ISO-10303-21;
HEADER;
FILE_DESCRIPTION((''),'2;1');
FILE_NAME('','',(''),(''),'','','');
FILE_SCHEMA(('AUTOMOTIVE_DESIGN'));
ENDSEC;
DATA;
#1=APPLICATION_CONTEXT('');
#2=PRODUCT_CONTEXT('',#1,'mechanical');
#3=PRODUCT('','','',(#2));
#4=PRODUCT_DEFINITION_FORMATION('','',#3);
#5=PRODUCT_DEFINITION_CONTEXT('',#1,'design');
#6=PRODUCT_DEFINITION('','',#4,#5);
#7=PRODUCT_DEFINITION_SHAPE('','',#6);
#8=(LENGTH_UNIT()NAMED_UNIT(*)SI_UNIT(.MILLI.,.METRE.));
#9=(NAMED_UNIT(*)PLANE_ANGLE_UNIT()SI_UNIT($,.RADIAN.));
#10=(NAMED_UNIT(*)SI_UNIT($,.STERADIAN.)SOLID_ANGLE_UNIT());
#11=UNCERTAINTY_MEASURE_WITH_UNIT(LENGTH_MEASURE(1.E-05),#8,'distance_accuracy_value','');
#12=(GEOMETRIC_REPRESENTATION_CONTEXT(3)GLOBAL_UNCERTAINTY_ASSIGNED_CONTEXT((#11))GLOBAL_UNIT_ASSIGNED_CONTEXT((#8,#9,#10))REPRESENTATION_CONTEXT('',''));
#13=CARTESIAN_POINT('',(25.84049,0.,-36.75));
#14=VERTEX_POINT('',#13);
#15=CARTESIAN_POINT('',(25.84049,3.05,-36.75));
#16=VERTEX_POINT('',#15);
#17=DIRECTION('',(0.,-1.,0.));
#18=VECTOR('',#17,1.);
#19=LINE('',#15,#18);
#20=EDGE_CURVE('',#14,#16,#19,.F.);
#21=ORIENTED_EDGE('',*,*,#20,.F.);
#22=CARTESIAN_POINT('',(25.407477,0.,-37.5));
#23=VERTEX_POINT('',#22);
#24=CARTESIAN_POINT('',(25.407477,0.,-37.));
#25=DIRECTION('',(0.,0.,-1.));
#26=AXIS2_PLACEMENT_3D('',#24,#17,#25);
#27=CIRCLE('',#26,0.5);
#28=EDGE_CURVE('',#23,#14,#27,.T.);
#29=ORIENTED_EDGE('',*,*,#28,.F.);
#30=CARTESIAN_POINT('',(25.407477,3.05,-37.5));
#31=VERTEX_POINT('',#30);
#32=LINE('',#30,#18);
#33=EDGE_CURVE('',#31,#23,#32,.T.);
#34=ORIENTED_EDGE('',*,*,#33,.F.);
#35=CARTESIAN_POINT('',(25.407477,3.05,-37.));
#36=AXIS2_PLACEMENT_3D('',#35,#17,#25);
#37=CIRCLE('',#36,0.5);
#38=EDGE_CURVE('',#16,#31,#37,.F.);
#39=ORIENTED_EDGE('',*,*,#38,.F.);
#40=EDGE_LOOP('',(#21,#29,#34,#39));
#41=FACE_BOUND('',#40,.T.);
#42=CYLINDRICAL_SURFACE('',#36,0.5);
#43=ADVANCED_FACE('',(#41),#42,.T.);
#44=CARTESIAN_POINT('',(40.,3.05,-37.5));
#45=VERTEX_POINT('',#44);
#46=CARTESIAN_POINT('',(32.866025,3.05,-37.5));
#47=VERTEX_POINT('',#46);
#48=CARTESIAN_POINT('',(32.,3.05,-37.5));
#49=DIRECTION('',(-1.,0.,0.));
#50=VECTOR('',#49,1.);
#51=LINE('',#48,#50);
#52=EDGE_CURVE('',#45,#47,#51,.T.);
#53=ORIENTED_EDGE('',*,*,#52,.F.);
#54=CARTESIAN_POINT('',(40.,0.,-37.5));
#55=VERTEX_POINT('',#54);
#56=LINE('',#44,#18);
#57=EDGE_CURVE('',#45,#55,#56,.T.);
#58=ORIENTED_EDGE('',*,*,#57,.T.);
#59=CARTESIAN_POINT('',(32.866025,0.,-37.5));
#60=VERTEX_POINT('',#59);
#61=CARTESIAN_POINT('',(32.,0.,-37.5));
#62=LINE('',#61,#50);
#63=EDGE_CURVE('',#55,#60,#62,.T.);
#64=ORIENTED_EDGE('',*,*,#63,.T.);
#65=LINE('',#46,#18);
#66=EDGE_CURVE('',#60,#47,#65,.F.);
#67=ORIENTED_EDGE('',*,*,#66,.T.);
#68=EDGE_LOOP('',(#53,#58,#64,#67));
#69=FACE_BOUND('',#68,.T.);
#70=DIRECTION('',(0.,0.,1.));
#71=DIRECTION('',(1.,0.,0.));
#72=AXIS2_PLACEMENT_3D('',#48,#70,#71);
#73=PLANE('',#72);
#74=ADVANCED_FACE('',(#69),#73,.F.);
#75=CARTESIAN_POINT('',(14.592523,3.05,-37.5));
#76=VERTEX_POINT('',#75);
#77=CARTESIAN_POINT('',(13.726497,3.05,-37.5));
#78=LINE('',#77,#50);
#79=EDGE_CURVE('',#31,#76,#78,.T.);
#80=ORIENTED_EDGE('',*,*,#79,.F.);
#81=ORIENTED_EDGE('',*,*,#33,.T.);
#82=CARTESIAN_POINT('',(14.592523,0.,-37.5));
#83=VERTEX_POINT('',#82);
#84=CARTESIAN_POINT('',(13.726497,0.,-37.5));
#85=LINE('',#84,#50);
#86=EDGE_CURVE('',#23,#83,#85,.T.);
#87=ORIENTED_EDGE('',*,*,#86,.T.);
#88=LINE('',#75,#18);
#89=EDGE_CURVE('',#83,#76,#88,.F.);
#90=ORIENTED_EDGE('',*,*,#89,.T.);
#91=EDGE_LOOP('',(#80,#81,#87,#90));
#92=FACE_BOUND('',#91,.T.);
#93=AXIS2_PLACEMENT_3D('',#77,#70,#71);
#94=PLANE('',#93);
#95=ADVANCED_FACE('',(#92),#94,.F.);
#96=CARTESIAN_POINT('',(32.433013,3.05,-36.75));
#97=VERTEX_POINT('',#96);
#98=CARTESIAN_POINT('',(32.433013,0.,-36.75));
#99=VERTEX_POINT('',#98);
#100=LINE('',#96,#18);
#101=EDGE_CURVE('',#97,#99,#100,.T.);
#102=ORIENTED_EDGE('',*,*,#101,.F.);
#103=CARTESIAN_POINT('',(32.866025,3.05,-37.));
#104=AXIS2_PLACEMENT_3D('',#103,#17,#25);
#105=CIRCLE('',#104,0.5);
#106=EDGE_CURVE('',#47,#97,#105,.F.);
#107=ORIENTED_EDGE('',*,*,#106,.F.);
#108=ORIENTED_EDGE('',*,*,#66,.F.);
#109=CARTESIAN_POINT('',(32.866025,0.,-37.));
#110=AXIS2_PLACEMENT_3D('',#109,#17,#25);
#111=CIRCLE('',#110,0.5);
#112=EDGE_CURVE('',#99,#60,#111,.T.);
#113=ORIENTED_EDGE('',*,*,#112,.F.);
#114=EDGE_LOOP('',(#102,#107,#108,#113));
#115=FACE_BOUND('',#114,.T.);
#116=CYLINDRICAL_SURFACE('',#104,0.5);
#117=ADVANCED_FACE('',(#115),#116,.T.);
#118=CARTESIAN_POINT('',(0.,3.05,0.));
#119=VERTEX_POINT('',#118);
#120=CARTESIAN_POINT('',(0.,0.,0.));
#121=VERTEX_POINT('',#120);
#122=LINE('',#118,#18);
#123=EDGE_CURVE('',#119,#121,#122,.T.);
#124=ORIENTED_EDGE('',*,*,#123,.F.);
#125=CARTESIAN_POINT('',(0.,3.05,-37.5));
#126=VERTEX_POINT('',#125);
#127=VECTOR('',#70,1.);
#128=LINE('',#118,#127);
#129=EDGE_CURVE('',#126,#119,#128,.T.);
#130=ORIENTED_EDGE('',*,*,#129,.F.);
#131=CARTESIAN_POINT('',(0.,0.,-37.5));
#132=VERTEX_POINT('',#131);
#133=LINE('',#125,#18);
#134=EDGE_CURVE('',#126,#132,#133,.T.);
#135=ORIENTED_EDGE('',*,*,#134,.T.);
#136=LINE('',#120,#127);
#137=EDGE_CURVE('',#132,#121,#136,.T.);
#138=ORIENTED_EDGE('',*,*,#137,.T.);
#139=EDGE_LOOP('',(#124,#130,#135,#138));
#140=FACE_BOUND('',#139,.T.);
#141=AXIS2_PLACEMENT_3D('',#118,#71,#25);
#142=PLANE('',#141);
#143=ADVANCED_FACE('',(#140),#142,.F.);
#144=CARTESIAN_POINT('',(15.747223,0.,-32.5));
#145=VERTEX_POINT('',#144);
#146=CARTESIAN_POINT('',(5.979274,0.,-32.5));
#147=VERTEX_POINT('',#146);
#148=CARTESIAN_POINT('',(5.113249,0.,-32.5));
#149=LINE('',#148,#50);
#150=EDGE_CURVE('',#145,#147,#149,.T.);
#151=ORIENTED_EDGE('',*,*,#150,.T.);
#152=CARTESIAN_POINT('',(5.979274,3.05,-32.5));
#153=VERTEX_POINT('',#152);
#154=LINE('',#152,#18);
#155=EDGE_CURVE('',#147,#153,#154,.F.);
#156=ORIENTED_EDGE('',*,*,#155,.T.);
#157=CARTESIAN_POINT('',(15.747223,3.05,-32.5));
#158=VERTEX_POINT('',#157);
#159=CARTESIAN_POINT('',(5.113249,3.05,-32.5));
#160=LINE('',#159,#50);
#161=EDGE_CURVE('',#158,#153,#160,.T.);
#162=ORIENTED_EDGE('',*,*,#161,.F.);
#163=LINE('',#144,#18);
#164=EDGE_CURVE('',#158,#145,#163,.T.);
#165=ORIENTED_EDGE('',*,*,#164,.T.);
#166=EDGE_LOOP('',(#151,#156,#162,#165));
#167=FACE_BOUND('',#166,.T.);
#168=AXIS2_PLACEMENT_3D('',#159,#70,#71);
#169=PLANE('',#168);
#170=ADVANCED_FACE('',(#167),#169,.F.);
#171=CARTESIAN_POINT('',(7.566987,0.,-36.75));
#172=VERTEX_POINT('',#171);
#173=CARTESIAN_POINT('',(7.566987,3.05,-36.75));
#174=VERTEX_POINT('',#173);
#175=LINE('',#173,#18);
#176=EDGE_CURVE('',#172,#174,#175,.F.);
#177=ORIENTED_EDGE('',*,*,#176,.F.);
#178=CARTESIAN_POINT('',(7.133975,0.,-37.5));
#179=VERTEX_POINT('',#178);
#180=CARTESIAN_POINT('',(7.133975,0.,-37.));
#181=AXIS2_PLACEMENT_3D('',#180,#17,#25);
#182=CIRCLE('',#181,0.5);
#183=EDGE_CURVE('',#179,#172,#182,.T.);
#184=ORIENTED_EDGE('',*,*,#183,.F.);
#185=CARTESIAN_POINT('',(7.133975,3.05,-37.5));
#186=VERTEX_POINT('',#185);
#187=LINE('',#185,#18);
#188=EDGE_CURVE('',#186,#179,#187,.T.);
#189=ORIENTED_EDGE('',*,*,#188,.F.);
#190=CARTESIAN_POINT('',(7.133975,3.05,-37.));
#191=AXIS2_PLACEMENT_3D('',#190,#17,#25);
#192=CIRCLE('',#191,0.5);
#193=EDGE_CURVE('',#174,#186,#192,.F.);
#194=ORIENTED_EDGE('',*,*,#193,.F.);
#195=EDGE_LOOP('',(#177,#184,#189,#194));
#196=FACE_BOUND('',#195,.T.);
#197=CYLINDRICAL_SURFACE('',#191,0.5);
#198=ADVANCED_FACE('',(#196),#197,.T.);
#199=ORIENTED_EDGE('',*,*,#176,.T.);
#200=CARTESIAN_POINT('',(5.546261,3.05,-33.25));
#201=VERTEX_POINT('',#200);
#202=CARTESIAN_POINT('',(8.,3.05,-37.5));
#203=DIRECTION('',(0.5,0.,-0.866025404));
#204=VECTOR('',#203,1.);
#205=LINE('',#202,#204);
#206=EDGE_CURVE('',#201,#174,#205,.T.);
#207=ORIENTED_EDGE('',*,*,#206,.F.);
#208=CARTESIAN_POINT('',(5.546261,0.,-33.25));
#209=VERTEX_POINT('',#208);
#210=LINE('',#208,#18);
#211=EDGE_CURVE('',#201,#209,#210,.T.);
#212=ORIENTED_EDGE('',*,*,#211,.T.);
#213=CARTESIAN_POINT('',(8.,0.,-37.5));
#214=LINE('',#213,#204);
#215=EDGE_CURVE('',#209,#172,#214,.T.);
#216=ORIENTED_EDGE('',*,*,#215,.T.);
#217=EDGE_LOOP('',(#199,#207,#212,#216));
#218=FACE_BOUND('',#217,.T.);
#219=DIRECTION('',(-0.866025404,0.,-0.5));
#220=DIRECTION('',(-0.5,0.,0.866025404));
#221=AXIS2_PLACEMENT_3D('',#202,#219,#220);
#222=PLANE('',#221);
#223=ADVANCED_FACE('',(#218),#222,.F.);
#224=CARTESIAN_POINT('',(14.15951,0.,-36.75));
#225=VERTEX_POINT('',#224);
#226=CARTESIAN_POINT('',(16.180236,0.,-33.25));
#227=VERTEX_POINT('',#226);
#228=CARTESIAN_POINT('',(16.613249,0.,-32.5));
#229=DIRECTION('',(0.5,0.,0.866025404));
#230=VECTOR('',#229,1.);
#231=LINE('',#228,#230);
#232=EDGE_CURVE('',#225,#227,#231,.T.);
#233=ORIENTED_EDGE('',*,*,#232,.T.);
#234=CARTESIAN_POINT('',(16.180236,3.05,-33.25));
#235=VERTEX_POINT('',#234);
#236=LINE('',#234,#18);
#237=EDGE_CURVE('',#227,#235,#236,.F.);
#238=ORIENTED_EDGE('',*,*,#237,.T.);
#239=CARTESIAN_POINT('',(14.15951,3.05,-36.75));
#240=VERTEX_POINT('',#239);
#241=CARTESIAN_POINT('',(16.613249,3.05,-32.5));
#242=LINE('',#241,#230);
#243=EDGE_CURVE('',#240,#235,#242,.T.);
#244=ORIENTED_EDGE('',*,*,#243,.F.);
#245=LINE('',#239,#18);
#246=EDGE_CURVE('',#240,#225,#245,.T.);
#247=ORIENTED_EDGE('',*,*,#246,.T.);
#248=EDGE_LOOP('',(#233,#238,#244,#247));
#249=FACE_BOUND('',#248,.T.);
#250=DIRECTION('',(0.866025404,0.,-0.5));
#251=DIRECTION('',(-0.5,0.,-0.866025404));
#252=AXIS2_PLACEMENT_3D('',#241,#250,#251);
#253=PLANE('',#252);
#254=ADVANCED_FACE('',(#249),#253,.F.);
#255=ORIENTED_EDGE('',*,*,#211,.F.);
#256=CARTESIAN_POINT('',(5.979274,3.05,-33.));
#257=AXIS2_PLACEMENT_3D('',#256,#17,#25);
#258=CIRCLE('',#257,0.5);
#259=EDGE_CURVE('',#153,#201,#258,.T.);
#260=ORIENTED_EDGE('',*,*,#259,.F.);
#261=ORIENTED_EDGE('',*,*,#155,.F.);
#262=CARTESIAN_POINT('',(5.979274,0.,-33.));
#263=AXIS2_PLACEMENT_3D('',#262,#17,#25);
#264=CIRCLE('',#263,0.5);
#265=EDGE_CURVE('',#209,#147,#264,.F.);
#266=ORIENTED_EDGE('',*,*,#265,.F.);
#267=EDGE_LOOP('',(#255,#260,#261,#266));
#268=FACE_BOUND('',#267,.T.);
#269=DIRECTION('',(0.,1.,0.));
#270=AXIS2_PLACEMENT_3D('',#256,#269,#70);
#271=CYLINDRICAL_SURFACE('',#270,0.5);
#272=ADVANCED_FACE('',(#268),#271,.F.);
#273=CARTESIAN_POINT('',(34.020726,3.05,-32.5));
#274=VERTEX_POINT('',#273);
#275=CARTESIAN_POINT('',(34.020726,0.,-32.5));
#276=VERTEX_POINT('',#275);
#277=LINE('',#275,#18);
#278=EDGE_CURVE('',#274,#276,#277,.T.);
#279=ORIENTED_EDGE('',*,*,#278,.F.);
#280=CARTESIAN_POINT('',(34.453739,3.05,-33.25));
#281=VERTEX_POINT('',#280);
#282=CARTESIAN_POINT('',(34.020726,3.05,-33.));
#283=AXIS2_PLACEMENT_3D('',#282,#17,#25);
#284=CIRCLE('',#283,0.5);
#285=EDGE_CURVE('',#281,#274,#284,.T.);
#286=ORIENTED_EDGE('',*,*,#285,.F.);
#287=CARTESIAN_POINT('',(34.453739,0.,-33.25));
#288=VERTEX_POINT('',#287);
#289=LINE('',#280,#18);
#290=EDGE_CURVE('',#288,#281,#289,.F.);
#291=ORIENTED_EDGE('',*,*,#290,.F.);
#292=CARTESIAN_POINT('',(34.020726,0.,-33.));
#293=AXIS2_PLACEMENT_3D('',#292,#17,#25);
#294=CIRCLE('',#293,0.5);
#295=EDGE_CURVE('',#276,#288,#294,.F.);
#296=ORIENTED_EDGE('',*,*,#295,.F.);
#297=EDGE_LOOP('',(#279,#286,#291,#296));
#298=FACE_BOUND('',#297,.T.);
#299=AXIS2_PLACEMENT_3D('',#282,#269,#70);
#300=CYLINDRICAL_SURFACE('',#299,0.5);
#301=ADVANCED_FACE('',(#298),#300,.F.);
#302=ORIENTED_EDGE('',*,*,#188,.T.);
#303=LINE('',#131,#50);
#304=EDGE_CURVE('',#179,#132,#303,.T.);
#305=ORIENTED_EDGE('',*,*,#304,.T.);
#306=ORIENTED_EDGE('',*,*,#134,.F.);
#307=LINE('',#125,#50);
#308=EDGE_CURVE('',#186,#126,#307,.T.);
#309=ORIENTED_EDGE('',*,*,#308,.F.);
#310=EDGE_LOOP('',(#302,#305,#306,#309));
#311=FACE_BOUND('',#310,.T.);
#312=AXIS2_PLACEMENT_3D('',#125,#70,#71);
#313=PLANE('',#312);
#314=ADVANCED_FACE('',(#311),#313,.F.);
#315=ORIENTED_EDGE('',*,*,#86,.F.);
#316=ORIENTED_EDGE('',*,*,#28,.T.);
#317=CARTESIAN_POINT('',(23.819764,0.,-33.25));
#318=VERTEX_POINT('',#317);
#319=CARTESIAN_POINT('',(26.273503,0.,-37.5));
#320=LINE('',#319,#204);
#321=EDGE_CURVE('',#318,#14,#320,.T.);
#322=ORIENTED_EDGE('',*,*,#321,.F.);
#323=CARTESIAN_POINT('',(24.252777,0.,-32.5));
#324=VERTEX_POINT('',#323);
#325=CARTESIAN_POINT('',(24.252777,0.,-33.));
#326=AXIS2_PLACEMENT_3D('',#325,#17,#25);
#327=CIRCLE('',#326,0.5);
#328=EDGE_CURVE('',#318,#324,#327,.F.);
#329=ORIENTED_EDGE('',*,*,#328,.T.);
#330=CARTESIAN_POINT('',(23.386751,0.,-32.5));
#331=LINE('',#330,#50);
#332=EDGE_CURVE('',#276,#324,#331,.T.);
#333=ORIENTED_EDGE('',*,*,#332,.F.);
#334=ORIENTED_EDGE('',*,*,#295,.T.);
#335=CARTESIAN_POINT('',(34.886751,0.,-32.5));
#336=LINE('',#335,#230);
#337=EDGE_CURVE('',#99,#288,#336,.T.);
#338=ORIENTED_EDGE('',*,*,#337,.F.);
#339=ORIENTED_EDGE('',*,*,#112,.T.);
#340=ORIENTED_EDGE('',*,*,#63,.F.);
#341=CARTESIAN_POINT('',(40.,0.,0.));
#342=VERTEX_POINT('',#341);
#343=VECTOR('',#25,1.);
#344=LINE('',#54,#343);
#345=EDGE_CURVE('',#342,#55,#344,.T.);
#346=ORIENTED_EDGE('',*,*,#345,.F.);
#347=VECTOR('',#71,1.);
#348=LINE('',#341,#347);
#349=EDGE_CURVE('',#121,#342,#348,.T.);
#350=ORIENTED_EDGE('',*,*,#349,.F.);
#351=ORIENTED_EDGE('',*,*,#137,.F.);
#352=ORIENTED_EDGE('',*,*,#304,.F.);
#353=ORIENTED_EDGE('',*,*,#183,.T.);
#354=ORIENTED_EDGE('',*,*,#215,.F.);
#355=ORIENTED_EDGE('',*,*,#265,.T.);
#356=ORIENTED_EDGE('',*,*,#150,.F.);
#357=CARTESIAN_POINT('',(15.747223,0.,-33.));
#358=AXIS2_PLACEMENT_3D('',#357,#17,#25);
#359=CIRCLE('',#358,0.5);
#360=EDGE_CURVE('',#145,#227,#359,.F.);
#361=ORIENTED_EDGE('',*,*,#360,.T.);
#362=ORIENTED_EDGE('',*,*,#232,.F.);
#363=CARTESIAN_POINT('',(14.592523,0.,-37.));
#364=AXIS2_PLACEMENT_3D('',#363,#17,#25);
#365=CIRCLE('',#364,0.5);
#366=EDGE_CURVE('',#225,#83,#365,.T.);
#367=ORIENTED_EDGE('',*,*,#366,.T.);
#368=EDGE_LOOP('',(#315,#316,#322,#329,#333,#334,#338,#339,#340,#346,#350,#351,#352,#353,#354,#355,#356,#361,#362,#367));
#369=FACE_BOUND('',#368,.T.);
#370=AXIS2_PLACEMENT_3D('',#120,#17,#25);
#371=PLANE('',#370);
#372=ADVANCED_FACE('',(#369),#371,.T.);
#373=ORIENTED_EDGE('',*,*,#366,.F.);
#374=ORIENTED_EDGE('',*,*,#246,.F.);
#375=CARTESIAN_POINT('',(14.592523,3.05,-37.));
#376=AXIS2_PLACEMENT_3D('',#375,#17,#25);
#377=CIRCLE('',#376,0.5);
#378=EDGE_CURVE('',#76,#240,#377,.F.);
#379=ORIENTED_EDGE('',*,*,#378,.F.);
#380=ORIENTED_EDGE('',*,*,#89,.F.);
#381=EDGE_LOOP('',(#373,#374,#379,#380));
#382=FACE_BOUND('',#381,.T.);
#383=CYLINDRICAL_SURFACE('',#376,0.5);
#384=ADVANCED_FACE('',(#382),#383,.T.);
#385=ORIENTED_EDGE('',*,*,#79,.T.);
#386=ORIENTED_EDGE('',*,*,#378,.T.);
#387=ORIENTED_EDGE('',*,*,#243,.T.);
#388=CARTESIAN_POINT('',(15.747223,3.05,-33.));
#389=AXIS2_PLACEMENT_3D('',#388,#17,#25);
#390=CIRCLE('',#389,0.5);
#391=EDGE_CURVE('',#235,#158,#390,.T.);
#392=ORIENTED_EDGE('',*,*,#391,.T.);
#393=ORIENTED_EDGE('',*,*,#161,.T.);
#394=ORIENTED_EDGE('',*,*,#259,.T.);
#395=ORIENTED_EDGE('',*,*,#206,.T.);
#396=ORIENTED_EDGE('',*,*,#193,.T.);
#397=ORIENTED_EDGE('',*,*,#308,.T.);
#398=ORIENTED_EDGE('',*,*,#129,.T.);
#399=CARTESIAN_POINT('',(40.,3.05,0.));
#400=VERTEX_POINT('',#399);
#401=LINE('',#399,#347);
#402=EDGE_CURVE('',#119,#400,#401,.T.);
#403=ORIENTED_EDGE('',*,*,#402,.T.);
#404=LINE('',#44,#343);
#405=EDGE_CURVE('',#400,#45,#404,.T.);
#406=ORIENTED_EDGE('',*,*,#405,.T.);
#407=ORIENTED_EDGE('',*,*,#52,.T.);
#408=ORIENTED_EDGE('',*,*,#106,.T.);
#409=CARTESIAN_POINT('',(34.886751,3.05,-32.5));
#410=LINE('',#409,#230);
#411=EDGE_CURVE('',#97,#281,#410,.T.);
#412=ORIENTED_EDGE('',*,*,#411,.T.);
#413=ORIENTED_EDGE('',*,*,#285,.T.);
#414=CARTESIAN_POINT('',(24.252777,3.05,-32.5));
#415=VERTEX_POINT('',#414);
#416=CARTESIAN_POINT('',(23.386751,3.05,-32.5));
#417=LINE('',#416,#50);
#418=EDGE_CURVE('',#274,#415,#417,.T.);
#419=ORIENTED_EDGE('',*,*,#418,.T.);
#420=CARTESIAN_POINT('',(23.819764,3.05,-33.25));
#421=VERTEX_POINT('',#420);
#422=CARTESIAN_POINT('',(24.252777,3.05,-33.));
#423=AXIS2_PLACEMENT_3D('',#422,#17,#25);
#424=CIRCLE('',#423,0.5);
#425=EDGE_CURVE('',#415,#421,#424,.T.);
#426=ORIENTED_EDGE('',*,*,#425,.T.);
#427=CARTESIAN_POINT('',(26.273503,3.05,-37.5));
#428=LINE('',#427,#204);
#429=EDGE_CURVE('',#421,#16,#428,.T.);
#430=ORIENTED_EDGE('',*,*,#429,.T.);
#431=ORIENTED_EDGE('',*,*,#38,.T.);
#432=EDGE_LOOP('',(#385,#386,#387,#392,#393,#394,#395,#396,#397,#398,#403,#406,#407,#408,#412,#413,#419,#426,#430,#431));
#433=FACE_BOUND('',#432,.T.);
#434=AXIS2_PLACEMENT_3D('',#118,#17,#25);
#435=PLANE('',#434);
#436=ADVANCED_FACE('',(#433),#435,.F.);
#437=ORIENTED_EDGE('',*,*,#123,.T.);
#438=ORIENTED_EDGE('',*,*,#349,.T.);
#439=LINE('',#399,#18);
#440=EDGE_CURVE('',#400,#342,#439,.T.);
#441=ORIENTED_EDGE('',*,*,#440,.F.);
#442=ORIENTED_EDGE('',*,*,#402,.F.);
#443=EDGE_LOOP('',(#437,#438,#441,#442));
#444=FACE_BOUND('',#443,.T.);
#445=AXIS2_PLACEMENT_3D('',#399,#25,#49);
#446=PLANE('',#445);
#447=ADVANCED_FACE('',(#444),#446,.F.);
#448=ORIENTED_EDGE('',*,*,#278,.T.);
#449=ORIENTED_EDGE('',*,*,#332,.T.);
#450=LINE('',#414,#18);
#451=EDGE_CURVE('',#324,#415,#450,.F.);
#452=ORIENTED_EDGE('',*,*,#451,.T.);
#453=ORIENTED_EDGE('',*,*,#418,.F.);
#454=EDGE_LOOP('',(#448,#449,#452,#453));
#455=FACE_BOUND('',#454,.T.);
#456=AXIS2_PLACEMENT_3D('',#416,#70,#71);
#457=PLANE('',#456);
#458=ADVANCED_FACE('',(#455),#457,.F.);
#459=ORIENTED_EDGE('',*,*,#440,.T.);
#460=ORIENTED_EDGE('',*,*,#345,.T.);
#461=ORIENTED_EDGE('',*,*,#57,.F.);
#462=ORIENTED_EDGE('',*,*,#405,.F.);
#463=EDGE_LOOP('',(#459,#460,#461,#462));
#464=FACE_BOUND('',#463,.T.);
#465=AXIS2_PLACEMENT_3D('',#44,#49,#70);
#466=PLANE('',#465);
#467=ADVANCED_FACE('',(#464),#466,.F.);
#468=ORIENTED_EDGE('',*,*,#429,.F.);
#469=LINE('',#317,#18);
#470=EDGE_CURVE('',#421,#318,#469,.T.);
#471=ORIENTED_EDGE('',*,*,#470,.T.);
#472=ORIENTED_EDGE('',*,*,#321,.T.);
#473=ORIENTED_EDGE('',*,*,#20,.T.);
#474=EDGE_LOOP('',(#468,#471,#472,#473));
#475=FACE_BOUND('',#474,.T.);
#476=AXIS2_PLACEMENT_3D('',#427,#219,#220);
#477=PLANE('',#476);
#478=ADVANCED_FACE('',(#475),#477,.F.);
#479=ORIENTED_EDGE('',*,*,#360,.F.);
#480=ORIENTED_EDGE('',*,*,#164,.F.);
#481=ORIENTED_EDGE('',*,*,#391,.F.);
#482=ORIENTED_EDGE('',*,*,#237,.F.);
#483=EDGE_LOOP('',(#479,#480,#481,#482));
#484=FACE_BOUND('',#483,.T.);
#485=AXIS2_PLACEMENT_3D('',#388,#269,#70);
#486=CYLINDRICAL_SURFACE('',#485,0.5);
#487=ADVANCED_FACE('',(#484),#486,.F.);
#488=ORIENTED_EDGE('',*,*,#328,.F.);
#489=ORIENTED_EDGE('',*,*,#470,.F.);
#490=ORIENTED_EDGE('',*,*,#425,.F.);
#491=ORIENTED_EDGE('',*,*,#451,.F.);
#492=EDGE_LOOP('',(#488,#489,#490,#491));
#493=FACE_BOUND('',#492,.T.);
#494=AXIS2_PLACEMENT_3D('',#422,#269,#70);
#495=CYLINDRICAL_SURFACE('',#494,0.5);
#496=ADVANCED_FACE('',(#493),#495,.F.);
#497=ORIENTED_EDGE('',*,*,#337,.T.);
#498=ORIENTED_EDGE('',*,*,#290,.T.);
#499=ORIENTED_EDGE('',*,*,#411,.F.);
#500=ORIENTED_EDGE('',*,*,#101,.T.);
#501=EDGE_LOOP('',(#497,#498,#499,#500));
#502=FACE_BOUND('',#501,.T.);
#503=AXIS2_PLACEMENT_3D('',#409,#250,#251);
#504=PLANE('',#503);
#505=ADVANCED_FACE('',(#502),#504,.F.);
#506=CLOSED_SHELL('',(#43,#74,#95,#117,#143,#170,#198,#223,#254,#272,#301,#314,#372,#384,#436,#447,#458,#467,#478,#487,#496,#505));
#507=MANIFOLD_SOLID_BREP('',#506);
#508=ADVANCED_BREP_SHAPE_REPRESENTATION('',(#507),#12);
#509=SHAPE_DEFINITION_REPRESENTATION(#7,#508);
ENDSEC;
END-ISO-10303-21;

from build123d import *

# Parameters (mm, degrees)
BOSS_EXTRUDE1_DEPTH = 3.05
FILLET3_R           = 0.5


with BuildPart() as part:
    # Sketch1 → Boss-Extrude1 (new body)
    with BuildSketch(Plane(origin=(0, 0, 0), x_dir=(1, 0, 0), z_dir=(0, 1, 0))):
        Polygon((0, 0), (0, 37.5), (8, 37.5), (5.113248654, 32.5), (16.613248654, 32.5), (13.726497308, 37.5), (26.273502692, 37.5), (23.386751346, 32.5), (34.886751346, 32.5), (32, 37.5), (40, 37.5), (40, 0), align=None)
    extrude(amount=BOSS_EXTRUDE1_DEPTH)

    # Fillet3
    fillet3_edges = [part.edges().sort_by_distance(p)[0] for p in [
        (8, 1.525, -37.5),
        (5.113248654, 1.525, -32.5),
        (16.613248654, 1.525, -32.5),
        (13.726497308, 1.525, -37.5),
        (26.273502692, 1.525, -37.5),
        (23.386751346, 1.525, -32.5),
        (34.886751346, 1.525, -32.5),
        (32, 1.525, -37.5),
    ]]
    fillet(fillet3_edges, radius=FILLET3_R)


solid = part.part
